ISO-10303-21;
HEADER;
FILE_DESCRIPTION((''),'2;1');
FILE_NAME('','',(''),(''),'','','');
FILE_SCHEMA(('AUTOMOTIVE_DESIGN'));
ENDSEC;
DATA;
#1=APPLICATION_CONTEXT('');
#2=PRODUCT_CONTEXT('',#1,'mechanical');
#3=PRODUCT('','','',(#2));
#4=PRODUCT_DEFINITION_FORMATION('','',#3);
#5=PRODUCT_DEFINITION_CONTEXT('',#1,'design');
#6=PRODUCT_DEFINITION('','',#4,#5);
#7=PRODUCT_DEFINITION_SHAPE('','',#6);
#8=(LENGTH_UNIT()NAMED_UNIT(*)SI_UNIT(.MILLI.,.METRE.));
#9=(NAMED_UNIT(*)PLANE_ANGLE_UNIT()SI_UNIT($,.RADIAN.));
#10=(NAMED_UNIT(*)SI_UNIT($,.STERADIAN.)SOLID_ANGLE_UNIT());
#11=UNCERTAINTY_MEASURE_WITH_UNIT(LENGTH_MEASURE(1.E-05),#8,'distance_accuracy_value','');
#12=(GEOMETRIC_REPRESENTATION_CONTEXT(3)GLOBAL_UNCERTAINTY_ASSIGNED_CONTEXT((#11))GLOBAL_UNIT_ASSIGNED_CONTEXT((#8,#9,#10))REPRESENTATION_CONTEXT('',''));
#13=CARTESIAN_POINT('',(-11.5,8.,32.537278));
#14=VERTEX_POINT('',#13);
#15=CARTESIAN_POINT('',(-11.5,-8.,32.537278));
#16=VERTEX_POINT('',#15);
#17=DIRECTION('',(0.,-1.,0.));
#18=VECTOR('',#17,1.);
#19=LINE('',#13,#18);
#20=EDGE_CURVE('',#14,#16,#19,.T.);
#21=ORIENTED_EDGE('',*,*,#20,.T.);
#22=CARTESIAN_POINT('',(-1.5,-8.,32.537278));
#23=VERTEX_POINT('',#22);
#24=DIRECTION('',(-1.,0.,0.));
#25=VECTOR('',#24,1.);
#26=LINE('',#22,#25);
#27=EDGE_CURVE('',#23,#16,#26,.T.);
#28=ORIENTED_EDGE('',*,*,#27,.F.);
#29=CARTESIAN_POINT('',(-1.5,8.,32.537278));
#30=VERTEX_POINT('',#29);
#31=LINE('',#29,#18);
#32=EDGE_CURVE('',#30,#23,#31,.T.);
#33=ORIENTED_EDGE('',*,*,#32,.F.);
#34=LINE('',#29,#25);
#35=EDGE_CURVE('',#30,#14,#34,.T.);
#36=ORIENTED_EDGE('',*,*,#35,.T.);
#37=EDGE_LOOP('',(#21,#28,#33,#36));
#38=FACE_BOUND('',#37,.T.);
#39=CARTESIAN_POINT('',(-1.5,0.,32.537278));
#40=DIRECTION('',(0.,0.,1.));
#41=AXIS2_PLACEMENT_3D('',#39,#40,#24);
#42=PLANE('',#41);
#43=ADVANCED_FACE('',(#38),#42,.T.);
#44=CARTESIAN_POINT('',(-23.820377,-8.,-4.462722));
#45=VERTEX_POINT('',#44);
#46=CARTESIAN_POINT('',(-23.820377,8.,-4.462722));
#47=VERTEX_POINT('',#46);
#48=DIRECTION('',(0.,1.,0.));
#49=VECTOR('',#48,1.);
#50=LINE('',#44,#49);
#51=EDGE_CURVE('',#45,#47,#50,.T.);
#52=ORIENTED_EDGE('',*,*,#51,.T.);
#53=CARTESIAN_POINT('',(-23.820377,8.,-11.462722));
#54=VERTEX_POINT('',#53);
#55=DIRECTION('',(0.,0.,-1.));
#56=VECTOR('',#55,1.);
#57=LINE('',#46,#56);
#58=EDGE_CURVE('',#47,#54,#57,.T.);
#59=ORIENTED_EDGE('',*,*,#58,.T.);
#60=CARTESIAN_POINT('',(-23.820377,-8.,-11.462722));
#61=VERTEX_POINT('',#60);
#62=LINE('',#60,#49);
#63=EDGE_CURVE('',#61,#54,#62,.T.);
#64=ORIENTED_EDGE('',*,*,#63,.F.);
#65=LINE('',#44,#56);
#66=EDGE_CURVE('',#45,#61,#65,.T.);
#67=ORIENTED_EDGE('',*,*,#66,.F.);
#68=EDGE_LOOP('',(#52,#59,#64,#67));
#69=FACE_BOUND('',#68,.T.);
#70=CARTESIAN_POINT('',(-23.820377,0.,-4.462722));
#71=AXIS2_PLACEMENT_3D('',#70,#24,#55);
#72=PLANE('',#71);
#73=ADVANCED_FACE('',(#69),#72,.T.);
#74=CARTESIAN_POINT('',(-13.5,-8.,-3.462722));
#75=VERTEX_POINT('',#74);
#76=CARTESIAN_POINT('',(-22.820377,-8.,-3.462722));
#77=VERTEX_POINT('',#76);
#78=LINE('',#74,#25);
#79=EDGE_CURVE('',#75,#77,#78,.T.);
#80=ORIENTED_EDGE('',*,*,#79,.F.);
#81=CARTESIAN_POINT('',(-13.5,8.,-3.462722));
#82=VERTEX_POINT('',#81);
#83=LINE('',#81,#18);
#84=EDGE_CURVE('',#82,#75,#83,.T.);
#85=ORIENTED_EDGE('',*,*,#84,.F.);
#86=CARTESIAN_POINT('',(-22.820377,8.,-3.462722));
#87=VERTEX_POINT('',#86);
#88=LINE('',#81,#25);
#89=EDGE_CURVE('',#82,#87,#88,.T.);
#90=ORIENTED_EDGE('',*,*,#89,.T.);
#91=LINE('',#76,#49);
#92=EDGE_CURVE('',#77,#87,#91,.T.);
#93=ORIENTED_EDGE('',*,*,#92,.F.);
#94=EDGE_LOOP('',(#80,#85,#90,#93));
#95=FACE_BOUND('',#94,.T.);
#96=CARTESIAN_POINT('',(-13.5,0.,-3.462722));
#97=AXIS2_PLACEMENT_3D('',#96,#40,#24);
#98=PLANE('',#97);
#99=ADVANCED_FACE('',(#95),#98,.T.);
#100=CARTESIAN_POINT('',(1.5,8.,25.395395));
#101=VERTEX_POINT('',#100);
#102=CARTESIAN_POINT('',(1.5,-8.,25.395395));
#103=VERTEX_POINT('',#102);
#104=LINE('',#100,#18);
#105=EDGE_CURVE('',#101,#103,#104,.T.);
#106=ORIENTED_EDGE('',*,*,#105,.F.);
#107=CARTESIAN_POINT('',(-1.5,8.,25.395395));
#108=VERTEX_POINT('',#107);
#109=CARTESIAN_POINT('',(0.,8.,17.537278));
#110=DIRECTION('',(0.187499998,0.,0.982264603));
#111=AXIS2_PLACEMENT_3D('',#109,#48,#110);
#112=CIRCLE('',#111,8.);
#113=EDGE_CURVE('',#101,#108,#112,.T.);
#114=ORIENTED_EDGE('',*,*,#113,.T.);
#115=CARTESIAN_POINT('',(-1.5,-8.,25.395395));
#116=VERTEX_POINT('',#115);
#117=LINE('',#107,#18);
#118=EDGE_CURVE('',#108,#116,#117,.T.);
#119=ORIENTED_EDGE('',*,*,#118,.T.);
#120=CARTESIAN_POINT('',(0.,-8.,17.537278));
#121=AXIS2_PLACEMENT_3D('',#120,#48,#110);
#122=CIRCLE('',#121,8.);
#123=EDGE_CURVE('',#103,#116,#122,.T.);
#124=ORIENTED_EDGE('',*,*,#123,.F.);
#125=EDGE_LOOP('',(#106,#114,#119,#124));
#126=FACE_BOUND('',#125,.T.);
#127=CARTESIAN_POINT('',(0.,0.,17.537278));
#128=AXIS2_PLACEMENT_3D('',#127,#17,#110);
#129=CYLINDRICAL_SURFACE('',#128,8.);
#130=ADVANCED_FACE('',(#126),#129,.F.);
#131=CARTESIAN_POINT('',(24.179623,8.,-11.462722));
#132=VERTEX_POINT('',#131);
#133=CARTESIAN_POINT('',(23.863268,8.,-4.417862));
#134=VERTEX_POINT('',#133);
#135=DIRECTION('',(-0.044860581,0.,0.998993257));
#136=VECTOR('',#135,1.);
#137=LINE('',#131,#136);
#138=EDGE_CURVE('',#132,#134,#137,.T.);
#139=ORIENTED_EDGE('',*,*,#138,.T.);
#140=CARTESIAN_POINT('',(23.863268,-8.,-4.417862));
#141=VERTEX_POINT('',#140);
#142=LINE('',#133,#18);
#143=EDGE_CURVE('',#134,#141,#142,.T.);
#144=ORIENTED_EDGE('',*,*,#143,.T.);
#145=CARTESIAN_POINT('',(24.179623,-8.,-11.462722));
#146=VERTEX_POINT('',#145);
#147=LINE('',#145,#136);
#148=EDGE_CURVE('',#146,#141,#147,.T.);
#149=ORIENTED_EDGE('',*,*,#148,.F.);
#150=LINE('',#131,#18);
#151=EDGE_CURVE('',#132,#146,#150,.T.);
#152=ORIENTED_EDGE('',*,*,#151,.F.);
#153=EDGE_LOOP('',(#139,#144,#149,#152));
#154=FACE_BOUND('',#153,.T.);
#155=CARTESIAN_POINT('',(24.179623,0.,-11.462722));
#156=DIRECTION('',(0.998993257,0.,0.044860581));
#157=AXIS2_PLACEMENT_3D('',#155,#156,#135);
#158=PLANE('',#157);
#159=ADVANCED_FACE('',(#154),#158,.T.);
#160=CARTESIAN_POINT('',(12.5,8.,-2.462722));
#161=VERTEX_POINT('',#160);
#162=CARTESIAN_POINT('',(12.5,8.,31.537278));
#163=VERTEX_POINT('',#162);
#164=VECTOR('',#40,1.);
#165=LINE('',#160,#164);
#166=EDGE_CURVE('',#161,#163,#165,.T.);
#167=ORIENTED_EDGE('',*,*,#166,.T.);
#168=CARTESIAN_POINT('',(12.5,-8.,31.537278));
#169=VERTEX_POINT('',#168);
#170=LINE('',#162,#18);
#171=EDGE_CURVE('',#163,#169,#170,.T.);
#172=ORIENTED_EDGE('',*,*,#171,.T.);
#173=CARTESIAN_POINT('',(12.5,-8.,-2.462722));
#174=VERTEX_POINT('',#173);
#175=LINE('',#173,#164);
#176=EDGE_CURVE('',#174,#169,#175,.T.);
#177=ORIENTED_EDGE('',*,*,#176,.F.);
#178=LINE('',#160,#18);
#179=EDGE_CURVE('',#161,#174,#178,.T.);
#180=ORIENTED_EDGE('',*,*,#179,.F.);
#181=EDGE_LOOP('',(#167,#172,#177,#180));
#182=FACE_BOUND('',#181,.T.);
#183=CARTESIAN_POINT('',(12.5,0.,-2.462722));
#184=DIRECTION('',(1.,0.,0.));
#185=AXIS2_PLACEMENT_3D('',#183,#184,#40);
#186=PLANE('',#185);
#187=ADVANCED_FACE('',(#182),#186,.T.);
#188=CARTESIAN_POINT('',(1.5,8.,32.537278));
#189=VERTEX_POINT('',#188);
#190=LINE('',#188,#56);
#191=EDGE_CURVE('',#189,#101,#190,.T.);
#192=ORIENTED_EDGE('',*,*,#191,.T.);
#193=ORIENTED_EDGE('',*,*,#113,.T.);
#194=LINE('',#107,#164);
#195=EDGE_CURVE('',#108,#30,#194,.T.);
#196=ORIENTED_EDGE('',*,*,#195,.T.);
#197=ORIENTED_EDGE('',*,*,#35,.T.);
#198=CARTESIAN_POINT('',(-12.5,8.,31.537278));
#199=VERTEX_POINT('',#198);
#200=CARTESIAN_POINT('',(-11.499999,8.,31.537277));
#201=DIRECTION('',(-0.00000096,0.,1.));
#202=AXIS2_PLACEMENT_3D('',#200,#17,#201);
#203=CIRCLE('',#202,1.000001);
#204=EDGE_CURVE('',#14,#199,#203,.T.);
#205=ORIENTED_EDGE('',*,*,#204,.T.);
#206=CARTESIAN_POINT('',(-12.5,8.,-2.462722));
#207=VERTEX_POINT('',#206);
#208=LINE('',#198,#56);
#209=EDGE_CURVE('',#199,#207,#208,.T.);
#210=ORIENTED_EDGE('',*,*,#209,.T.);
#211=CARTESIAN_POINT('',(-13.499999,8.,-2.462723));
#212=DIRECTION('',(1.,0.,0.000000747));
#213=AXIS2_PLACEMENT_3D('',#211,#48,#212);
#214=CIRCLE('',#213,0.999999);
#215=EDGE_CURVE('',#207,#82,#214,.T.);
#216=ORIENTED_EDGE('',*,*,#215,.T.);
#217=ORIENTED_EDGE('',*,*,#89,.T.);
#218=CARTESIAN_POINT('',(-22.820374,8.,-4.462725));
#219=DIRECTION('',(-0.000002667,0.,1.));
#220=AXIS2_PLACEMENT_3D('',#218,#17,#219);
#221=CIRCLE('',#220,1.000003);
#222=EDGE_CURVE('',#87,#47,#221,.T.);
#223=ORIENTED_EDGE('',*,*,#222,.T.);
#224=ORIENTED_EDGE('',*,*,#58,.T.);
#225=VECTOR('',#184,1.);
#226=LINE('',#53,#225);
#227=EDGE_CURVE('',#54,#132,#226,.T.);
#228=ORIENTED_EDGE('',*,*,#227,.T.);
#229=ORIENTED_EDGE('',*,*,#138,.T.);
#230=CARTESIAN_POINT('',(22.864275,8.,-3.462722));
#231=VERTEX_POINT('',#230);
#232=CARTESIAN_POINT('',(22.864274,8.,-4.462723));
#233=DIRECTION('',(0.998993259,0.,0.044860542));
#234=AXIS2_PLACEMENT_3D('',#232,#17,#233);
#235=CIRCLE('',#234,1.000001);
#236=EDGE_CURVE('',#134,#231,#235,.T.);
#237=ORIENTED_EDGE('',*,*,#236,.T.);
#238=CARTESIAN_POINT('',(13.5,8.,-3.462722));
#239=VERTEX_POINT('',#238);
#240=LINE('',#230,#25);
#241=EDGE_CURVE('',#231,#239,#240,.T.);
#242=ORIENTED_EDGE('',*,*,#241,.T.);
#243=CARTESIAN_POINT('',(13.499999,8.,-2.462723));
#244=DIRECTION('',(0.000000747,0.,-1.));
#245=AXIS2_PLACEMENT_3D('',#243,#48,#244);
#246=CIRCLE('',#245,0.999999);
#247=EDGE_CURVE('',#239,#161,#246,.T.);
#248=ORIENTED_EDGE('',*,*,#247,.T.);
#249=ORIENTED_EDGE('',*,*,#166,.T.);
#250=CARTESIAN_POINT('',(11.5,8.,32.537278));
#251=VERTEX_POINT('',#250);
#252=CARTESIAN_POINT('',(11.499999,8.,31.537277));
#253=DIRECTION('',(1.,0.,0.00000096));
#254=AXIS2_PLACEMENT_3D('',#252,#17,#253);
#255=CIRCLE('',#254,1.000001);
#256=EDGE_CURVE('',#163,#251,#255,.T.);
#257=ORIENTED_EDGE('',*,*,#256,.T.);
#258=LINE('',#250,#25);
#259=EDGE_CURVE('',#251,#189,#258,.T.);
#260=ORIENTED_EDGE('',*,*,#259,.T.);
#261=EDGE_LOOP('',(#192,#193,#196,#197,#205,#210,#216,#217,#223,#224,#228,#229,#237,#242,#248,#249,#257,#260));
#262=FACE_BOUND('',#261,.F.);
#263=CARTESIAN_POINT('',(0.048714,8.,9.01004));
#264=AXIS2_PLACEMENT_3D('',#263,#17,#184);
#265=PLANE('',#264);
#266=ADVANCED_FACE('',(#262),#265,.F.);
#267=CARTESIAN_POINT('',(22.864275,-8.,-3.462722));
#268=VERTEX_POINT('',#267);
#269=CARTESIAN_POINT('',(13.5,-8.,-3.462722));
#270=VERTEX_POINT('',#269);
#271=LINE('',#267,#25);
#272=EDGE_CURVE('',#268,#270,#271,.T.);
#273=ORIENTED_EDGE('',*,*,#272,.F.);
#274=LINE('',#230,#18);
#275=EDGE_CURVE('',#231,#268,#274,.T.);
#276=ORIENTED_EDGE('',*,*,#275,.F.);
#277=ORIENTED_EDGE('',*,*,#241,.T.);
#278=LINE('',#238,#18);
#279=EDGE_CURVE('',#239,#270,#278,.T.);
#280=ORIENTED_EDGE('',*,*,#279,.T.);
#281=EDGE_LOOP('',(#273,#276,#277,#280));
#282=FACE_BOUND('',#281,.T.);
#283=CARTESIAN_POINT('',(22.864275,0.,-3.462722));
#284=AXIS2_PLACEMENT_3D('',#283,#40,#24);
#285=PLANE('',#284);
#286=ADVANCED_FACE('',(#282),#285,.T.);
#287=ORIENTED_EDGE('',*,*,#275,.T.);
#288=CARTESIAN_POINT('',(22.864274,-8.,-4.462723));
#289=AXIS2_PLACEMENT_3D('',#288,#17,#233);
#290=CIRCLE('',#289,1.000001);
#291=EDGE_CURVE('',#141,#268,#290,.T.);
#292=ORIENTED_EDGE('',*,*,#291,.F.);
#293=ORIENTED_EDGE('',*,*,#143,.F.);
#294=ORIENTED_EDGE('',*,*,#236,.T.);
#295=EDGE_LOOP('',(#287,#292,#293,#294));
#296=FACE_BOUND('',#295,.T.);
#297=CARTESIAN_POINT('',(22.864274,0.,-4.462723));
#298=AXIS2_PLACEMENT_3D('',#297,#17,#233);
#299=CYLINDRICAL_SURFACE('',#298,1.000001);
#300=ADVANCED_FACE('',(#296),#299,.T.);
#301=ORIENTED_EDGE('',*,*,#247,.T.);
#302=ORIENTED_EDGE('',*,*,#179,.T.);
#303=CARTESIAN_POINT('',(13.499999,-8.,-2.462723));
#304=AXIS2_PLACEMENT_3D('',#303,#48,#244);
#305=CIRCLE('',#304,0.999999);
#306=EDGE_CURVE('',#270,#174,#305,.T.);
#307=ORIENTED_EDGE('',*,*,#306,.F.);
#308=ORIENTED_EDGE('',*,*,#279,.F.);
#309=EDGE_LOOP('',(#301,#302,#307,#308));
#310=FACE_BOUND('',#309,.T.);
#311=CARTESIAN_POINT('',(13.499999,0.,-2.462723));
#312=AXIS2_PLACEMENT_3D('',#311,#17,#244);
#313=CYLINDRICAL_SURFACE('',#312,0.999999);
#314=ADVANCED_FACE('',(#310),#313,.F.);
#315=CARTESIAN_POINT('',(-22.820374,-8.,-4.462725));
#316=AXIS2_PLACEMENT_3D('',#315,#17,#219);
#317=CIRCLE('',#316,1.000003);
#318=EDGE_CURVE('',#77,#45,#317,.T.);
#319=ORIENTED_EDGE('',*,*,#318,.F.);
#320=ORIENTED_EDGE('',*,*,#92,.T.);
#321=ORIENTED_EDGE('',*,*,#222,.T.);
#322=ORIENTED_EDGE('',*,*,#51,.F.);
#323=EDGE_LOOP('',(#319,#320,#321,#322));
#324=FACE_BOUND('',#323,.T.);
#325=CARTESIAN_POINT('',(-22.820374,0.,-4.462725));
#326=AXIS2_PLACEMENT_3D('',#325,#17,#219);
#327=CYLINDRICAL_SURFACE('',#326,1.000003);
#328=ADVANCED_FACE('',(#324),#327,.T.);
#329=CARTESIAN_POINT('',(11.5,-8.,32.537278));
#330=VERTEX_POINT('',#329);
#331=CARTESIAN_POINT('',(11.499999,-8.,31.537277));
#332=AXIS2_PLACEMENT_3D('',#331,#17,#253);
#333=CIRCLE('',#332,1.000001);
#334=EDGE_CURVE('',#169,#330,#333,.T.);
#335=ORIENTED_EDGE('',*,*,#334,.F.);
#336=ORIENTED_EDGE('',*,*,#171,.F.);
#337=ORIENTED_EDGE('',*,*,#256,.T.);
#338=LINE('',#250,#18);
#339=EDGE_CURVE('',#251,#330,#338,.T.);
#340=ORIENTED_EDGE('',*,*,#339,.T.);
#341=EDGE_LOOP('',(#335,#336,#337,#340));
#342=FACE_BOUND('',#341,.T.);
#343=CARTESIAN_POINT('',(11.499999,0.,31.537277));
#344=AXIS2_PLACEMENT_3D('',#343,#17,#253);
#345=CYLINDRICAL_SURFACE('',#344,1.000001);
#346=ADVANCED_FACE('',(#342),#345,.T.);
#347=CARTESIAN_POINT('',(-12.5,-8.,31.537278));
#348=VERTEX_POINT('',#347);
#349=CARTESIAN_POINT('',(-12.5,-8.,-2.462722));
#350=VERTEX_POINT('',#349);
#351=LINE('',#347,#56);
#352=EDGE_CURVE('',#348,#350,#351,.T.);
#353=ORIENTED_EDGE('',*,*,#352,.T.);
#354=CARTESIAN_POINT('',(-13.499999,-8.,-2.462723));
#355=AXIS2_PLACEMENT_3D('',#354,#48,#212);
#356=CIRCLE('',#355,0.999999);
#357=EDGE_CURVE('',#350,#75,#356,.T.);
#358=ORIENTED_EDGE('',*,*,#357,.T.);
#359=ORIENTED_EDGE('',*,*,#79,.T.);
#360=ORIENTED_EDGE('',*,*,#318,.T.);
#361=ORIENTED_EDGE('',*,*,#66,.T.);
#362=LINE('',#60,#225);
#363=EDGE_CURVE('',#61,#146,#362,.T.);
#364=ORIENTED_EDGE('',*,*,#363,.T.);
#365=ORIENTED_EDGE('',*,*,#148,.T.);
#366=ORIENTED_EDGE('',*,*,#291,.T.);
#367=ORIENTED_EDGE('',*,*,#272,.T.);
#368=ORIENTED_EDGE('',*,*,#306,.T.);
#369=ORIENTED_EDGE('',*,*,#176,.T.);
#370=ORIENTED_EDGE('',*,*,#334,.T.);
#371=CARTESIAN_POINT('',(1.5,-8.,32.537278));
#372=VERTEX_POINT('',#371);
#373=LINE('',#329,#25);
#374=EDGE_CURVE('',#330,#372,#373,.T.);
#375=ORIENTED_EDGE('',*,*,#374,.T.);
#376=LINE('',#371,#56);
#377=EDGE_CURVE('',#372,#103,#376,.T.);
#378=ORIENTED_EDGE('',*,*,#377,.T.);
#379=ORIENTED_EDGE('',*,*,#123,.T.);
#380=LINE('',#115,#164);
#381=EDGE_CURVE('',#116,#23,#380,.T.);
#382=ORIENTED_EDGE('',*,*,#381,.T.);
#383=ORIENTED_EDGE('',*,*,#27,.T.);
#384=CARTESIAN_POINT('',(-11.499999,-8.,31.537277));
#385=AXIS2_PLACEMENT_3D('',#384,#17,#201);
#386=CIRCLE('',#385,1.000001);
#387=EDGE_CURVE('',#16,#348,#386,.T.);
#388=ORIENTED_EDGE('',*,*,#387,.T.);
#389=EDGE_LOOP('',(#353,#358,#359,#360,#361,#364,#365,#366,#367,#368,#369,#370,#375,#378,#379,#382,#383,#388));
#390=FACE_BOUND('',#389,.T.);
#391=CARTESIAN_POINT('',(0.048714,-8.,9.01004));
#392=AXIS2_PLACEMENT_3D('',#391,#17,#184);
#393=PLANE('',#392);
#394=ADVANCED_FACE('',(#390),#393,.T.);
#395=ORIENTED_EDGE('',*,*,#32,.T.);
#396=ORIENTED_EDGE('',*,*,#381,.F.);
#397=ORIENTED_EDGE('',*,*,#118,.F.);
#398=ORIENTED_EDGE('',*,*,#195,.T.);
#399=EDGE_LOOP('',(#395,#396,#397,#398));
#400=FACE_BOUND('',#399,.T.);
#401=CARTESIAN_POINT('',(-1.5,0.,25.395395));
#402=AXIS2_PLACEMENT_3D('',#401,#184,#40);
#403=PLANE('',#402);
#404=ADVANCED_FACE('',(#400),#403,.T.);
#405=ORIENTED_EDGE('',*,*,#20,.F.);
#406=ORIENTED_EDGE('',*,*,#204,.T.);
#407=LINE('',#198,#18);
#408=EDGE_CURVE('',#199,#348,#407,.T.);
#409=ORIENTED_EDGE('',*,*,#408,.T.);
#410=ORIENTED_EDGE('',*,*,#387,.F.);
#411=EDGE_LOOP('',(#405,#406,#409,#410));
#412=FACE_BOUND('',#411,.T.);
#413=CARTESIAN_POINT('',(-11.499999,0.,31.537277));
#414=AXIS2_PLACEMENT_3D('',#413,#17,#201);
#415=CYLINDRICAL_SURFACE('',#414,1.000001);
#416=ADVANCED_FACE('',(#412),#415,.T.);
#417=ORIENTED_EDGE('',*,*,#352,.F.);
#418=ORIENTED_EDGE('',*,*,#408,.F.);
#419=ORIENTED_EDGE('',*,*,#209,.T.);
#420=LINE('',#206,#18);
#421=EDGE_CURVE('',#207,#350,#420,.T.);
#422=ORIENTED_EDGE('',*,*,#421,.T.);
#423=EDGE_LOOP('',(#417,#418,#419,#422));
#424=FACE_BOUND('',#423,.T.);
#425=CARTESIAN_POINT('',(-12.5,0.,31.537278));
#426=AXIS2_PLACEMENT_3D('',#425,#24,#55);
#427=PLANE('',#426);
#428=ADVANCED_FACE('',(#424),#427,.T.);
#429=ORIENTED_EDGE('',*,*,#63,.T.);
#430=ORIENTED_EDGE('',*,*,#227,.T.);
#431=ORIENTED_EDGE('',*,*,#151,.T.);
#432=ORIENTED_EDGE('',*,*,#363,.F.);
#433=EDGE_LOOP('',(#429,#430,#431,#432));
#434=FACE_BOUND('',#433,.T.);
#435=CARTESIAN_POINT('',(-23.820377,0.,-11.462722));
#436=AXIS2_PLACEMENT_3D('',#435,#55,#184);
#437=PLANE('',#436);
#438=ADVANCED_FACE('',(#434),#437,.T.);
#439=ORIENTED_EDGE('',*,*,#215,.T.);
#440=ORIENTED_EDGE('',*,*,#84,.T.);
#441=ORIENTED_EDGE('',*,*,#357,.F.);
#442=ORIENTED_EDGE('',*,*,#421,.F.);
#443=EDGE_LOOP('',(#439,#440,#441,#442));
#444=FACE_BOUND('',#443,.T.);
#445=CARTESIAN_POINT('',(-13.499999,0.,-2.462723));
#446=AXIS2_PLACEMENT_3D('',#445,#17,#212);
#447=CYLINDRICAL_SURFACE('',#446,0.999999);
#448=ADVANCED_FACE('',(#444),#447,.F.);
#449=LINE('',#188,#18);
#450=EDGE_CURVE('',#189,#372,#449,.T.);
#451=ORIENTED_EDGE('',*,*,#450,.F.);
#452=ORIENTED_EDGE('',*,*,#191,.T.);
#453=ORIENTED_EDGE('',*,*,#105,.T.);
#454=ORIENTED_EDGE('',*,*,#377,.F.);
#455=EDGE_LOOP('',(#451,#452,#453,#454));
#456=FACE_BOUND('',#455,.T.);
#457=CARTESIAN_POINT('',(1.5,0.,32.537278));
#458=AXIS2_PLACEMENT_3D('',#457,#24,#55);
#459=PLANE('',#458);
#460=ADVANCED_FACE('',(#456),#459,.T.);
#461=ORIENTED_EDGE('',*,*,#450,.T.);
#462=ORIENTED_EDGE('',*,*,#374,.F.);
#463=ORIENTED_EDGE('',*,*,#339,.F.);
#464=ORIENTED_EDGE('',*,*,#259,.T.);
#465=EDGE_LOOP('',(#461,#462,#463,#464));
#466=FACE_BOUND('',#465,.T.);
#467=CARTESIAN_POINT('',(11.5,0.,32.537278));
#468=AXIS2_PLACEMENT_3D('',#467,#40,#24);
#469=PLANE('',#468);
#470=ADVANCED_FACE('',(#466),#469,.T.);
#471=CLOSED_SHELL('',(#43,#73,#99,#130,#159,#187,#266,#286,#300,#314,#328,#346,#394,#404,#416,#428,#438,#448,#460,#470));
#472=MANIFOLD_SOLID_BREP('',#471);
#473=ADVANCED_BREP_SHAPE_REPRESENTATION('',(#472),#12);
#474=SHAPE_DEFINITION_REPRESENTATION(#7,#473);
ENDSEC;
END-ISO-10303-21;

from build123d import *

# Parameters (mm, degrees)
F1_DEPTH = 8


with BuildPart() as f1:
    # F0 (on Front) → F1 (new body, symmetric)
    with BuildSketch(Plane.XZ):
        with BuildLine():
            Line((-23.820377, -11.462722), (24.179623, -11.462722))
            Line((24.179623, -11.462722), (23.863268, -4.417862))
            ThreePointArc((23.863268, -4.417862), (23.555339, -3.739929), (22.864275, -3.462722))
            Line((22.864275, -3.462722), (13.5, -3.462722))
            ThreePointArc((13.5, -3.462722), (12.792893, -3.169829), (12.5, -2.462722))
            Line((12.5, -2.462722), (12.5, 31.537278))
            ThreePointArc((12.5, 31.537278), (12.207107, 32.244384), (11.5, 32.537278))
            Line((11.5, 32.537278), (1.5, 32.537278))
            Line((1.5, 32.537278), (1.5, 25.395395))
            ThreePointArc((1.5, 25.395395), (0, 9.537278), (-1.5, 25.395395))
            Line((-1.5, 25.395395), (-1.5, 32.537278))
            Line((-1.5, 32.537278), (-11.5, 32.537278))
            ThreePointArc((-11.5, 32.537278), (-12.207107, 32.244384), (-12.5, 31.537278))
            Line((-12.5, 31.537278), (-12.5, -2.462722))
            ThreePointArc((-12.5, -2.462722), (-12.792893, -3.169829), (-13.5, -3.462722))
            Line((-13.5, -3.462722), (-22.820377, -3.462722))
            ThreePointArc((-22.820377, -3.462722), (-23.527483, -3.755616), (-23.820377, -4.462722))
            Line((-23.820377, -4.462722), (-23.820377, -11.462722))
        make_face()
    extrude(amount=F1_DEPTH, both=True)


solid = f1.part
